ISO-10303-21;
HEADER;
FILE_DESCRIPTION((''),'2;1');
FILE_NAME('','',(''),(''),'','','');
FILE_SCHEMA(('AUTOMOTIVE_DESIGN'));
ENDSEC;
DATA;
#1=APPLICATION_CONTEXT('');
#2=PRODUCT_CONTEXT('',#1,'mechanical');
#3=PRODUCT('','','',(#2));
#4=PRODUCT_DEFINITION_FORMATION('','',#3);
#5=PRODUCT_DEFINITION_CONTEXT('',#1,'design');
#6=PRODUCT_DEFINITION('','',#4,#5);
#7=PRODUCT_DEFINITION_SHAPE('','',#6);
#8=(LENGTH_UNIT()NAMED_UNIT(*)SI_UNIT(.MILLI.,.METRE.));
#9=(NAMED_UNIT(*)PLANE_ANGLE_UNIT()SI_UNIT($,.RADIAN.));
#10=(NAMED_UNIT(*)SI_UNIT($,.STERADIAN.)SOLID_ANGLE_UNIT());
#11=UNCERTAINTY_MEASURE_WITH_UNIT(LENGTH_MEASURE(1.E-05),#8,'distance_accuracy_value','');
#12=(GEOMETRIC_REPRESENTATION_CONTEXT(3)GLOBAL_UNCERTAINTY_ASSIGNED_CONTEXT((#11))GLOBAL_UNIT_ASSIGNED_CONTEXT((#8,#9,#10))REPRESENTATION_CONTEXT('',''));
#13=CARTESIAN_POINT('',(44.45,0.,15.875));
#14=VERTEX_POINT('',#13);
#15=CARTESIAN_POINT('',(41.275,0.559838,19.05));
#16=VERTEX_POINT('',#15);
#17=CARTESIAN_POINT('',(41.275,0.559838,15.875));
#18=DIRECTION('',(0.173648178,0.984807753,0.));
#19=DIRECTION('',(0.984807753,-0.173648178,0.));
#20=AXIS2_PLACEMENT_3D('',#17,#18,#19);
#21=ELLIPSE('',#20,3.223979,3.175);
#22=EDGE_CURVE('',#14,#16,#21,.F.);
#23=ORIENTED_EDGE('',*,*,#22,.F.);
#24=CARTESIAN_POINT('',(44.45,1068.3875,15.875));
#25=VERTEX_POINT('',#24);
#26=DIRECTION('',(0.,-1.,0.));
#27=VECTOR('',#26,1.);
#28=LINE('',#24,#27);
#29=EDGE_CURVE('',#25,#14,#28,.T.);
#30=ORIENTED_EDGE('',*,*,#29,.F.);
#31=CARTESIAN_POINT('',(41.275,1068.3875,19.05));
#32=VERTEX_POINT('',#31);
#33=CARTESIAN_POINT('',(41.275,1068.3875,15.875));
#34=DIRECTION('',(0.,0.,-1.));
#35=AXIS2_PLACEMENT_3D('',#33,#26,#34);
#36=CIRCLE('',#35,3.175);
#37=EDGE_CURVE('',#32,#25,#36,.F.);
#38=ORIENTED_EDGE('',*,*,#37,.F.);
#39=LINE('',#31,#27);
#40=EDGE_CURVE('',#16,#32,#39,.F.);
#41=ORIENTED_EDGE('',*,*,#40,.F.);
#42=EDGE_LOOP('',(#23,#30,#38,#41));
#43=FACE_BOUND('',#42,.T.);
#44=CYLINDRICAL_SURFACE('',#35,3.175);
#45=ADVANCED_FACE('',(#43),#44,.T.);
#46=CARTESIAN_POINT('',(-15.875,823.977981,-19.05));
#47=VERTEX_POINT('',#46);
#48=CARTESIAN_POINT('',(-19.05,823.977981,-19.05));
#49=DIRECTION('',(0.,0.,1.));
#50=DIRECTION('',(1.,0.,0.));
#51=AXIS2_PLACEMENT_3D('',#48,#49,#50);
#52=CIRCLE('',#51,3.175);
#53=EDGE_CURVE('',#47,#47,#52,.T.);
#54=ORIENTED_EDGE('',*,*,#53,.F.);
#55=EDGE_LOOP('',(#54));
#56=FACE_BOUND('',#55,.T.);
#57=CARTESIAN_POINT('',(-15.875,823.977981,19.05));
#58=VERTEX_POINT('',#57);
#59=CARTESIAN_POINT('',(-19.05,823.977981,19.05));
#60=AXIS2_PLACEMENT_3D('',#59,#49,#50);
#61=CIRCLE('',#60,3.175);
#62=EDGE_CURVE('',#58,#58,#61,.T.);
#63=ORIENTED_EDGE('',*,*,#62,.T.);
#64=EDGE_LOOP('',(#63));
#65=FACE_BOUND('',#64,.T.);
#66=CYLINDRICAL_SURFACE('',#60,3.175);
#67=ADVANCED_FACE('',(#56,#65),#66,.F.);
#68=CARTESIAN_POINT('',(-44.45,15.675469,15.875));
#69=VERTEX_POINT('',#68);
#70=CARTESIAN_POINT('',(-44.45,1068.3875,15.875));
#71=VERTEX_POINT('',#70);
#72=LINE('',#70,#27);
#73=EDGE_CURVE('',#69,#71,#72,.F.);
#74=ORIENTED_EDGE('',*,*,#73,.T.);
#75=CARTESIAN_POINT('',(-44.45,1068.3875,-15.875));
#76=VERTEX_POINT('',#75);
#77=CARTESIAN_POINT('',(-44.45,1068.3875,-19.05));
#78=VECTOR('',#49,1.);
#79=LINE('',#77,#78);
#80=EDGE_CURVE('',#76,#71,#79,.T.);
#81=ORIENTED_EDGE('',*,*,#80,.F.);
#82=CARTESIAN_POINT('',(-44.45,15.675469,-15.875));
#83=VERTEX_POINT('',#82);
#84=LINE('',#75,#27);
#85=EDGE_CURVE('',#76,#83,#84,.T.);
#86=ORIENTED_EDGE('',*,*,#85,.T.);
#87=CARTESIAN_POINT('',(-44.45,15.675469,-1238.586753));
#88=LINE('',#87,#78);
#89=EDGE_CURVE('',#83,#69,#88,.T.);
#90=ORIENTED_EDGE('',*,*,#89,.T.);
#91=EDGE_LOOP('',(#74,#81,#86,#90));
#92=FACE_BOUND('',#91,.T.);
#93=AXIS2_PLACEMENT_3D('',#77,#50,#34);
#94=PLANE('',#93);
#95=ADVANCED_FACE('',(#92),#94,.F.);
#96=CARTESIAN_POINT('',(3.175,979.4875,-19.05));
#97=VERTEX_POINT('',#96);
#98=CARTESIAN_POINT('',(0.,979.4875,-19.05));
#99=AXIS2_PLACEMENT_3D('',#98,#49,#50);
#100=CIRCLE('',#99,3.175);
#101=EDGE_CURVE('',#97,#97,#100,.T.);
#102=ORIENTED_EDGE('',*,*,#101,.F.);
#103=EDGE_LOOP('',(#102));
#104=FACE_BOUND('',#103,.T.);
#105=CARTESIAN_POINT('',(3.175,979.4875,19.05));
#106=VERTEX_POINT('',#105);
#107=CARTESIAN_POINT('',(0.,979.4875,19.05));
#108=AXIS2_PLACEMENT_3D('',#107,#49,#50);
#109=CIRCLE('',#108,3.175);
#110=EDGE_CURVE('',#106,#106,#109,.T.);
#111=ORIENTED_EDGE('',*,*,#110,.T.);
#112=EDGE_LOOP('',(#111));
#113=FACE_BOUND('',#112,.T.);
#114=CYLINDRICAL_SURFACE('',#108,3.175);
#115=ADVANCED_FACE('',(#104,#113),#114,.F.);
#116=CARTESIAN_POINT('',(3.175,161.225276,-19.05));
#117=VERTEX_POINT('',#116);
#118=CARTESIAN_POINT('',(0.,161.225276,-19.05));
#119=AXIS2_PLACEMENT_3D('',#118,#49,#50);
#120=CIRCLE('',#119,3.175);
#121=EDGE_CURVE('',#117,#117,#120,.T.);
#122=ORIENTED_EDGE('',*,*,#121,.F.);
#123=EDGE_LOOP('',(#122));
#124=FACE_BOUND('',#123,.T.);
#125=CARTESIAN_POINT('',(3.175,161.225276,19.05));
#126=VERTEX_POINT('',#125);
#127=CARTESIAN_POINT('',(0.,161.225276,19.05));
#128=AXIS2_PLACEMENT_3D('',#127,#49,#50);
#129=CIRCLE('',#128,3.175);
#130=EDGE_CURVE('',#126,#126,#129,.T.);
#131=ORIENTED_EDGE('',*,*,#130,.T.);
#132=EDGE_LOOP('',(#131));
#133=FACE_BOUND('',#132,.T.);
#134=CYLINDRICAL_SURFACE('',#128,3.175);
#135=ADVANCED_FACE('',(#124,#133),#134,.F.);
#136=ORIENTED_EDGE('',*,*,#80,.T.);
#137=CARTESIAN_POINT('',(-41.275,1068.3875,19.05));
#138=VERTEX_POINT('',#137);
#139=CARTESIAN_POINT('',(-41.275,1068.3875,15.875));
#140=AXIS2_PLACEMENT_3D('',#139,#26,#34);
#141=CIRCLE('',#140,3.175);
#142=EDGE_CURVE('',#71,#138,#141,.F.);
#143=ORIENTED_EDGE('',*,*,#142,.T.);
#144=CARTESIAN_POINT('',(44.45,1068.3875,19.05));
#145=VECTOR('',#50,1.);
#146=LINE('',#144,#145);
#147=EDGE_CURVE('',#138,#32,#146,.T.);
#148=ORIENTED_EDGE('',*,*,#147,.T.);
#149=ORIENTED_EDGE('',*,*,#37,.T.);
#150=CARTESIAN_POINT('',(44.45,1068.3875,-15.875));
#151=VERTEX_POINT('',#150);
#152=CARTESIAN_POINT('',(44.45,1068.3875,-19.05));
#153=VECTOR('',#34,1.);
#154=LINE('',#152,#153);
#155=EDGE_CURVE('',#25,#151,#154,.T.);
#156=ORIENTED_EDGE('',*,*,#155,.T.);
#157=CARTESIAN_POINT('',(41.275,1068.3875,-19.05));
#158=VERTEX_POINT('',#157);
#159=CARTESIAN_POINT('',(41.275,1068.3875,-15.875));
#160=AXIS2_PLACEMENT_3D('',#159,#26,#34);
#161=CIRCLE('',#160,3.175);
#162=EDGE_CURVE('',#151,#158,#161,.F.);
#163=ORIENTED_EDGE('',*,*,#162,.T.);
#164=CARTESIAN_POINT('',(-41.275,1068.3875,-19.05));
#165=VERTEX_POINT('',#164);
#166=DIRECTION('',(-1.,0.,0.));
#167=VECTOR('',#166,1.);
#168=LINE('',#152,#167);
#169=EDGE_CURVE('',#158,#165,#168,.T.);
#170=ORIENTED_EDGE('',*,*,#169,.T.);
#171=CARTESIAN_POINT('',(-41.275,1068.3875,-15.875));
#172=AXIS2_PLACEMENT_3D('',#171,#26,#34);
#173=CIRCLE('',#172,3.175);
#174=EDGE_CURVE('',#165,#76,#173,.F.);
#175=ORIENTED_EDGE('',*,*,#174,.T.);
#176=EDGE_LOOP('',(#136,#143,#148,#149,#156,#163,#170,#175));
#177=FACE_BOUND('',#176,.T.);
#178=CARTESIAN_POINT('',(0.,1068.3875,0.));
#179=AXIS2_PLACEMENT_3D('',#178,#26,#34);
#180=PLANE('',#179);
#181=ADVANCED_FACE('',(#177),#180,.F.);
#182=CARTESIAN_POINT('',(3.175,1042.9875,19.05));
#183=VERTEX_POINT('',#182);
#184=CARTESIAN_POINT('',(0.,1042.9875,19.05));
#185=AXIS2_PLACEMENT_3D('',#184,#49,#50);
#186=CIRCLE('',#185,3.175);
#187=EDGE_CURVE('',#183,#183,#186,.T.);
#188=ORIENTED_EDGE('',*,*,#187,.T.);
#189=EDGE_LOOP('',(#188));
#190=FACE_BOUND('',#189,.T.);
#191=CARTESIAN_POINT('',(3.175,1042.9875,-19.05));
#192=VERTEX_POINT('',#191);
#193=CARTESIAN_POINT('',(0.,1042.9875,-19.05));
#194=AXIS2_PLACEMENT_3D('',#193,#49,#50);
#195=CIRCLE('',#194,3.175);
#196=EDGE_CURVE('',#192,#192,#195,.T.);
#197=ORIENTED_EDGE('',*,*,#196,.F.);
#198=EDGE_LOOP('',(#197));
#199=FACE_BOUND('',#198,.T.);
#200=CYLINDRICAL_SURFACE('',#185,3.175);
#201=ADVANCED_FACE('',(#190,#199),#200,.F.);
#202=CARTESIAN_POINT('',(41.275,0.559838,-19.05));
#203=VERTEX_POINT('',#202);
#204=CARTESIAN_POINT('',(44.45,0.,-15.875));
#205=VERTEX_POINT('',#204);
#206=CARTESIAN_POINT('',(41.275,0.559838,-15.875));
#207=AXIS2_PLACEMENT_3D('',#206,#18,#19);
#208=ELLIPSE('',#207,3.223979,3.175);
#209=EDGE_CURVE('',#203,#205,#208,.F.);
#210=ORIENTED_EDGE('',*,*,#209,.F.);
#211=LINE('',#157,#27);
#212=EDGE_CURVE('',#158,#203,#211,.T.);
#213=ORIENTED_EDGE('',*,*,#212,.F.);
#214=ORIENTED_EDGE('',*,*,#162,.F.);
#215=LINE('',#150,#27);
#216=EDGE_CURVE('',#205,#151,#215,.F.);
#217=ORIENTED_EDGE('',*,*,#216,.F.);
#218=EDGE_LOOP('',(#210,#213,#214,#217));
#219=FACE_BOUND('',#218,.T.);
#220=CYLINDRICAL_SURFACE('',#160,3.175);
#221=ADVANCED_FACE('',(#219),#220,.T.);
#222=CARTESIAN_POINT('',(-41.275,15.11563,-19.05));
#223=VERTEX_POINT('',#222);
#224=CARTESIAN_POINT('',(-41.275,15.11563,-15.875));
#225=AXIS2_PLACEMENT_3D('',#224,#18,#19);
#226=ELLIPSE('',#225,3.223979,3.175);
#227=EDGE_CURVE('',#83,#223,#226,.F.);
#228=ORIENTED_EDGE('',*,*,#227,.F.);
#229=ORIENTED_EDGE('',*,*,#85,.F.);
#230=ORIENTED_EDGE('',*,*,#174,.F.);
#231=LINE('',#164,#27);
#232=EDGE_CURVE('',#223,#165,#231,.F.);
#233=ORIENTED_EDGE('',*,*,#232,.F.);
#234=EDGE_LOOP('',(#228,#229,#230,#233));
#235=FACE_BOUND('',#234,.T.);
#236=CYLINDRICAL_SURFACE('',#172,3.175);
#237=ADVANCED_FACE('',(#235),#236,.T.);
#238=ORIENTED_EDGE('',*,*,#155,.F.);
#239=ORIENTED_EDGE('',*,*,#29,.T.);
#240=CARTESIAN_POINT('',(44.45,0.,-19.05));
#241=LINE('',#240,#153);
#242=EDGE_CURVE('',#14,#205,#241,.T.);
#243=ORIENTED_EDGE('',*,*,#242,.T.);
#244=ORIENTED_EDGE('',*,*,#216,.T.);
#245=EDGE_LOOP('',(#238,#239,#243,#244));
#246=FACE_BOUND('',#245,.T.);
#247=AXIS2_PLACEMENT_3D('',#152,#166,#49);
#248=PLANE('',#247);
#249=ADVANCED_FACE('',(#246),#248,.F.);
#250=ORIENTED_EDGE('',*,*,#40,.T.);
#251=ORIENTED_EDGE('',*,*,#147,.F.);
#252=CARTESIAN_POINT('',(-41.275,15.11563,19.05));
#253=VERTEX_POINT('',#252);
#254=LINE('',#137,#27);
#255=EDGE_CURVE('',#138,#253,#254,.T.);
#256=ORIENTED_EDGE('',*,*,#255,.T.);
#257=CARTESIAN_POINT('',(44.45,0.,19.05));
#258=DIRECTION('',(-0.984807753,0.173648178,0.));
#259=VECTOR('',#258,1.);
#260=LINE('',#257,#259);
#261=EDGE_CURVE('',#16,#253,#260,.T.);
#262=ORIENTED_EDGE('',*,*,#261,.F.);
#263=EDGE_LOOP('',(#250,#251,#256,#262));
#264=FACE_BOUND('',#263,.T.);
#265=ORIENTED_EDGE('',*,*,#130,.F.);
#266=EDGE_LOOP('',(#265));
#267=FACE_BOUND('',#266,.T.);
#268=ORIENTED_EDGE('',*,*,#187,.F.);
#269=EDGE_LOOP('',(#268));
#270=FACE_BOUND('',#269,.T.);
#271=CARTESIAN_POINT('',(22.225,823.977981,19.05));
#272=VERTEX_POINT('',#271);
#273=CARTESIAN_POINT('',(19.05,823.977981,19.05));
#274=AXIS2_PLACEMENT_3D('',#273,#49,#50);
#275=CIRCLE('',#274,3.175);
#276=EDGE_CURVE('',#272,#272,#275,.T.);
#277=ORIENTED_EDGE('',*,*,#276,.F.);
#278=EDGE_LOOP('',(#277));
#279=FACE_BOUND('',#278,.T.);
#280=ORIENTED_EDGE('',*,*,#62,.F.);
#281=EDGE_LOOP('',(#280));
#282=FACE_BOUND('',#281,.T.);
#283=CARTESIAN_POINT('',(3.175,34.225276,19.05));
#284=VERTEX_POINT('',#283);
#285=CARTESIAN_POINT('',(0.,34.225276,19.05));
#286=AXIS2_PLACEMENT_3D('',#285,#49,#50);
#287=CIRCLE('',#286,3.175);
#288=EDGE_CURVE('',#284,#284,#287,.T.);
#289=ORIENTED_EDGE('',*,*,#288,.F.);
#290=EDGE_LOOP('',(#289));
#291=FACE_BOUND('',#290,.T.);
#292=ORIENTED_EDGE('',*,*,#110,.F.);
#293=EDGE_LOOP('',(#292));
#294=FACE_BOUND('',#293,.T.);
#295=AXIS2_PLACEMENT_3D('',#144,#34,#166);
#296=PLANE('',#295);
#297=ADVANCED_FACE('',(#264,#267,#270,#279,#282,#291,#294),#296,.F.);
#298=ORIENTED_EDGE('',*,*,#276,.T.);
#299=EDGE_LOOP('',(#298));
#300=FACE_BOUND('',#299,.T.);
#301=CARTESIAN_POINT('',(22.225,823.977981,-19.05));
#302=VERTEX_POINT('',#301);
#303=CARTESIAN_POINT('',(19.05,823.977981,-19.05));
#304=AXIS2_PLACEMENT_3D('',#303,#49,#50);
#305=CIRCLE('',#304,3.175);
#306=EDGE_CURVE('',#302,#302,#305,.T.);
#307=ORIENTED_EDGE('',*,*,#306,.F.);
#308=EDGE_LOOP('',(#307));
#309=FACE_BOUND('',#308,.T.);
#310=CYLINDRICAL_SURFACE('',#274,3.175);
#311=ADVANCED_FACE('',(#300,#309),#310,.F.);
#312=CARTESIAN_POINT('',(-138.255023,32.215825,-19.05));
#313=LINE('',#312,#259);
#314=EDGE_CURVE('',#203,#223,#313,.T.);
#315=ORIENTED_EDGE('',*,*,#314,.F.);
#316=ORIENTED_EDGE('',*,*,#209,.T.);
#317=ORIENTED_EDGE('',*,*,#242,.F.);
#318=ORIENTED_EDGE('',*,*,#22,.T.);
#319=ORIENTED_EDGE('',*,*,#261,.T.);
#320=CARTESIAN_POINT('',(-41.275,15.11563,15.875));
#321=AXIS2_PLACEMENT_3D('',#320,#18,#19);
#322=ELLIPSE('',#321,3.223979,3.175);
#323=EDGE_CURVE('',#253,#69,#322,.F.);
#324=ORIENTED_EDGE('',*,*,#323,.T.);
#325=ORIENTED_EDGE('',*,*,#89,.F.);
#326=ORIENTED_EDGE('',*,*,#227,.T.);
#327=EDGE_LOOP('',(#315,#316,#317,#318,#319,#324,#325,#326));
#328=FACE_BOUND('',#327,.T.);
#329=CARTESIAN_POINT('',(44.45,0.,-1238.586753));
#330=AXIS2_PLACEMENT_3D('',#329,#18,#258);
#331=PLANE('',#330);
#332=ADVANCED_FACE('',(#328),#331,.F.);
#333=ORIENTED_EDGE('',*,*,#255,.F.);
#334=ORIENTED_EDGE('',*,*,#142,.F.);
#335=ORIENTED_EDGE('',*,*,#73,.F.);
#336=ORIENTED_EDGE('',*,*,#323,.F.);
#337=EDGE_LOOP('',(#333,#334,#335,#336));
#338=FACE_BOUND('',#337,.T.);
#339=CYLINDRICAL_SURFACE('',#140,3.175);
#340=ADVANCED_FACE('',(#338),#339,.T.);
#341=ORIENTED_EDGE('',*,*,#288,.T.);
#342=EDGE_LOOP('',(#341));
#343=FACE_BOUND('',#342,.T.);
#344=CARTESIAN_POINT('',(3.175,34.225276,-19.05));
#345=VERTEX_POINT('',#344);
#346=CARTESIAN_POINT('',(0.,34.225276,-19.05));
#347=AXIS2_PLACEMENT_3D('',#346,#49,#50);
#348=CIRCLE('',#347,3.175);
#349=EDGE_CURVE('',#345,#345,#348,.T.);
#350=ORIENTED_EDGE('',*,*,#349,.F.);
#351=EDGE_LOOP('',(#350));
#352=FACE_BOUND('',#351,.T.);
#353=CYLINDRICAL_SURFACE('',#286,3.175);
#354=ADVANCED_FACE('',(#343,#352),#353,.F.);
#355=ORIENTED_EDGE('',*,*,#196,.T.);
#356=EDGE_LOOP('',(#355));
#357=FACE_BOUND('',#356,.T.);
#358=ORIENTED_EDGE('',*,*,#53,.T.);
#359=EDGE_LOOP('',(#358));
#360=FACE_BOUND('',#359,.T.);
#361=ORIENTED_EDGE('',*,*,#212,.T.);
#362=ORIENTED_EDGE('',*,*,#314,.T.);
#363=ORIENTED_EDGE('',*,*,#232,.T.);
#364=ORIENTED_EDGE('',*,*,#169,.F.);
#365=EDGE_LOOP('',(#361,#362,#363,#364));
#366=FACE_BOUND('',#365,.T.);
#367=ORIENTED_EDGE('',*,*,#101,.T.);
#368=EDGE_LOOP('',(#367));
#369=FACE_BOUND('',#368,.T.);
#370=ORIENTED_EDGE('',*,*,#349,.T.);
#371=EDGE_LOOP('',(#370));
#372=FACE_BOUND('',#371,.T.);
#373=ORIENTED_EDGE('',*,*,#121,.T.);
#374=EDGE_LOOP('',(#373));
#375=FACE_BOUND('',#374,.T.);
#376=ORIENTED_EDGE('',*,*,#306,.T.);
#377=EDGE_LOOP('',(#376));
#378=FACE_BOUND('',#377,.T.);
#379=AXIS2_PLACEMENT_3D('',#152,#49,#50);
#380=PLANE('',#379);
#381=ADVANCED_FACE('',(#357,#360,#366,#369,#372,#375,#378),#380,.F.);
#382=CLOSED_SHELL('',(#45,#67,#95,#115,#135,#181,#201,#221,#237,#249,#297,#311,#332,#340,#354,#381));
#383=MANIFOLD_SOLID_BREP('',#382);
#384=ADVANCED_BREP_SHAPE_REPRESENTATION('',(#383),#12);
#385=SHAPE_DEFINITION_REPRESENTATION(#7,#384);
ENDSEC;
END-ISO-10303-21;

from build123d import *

# Parameters (mm, degrees)
SKETCH1_W                   = 88.9
SKETCH1_H                   = 38.1
BOSS_EXTRUDE1_DEPTH         = 1068.3875
CUT_EXTRUDE1_DEPTH          = 1257.6367532
F_1_4_0_25_DIAMETER_HOLE1_D = 6.35
FILLET1_R                   = 3.175


with BuildPart() as part:
    # Sketch1 → Boss-Extrude1 (new body)
    with BuildSketch(Plane(origin=(0, 0, 0), x_dir=(1, 0, 0), z_dir=(0, 1, 0))):
        Rectangle(SKETCH1_W, SKETCH1_H)
    extrude(amount=BOSS_EXTRUDE1_DEPTH)

    # Sketch2 → Cut-Extrude1 (cut)
    with BuildSketch(Plane.XY.offset(19.05)):
        Polygon((44.45, 0), (-44.45, 15.675468585), (-44.45, 0), align=None)
    extrude(amount=-CUT_EXTRUDE1_DEPTH, mode=Mode.SUBTRACT)

    # 1/4 (0.25) Diameter Hole1 (through all)
    with Locations(Plane.XY.offset(19.05)):
        with Locations((0, 34.225276482), (0, 161.225276482), (19.05, 823.9779812), (-19.05, 823.9779812), (0, 979.4875), (0, 1042.9875)):
            Hole(F_1_4_0_25_DIAMETER_HOLE1_D / 2)

    # Fillet1
    fillet1_edges = [part.edges().sort_by_distance(p)[0] for p in [
        (-44.45, 542.031484292, -19.05),
        (44.45, 534.19375, -19.05),
        (44.45, 534.19375, 19.05),
        (-44.45, 542.031484292, 19.05),
    ]]
    fillet(fillet1_edges, radius=FILLET1_R)


solid = part.part
